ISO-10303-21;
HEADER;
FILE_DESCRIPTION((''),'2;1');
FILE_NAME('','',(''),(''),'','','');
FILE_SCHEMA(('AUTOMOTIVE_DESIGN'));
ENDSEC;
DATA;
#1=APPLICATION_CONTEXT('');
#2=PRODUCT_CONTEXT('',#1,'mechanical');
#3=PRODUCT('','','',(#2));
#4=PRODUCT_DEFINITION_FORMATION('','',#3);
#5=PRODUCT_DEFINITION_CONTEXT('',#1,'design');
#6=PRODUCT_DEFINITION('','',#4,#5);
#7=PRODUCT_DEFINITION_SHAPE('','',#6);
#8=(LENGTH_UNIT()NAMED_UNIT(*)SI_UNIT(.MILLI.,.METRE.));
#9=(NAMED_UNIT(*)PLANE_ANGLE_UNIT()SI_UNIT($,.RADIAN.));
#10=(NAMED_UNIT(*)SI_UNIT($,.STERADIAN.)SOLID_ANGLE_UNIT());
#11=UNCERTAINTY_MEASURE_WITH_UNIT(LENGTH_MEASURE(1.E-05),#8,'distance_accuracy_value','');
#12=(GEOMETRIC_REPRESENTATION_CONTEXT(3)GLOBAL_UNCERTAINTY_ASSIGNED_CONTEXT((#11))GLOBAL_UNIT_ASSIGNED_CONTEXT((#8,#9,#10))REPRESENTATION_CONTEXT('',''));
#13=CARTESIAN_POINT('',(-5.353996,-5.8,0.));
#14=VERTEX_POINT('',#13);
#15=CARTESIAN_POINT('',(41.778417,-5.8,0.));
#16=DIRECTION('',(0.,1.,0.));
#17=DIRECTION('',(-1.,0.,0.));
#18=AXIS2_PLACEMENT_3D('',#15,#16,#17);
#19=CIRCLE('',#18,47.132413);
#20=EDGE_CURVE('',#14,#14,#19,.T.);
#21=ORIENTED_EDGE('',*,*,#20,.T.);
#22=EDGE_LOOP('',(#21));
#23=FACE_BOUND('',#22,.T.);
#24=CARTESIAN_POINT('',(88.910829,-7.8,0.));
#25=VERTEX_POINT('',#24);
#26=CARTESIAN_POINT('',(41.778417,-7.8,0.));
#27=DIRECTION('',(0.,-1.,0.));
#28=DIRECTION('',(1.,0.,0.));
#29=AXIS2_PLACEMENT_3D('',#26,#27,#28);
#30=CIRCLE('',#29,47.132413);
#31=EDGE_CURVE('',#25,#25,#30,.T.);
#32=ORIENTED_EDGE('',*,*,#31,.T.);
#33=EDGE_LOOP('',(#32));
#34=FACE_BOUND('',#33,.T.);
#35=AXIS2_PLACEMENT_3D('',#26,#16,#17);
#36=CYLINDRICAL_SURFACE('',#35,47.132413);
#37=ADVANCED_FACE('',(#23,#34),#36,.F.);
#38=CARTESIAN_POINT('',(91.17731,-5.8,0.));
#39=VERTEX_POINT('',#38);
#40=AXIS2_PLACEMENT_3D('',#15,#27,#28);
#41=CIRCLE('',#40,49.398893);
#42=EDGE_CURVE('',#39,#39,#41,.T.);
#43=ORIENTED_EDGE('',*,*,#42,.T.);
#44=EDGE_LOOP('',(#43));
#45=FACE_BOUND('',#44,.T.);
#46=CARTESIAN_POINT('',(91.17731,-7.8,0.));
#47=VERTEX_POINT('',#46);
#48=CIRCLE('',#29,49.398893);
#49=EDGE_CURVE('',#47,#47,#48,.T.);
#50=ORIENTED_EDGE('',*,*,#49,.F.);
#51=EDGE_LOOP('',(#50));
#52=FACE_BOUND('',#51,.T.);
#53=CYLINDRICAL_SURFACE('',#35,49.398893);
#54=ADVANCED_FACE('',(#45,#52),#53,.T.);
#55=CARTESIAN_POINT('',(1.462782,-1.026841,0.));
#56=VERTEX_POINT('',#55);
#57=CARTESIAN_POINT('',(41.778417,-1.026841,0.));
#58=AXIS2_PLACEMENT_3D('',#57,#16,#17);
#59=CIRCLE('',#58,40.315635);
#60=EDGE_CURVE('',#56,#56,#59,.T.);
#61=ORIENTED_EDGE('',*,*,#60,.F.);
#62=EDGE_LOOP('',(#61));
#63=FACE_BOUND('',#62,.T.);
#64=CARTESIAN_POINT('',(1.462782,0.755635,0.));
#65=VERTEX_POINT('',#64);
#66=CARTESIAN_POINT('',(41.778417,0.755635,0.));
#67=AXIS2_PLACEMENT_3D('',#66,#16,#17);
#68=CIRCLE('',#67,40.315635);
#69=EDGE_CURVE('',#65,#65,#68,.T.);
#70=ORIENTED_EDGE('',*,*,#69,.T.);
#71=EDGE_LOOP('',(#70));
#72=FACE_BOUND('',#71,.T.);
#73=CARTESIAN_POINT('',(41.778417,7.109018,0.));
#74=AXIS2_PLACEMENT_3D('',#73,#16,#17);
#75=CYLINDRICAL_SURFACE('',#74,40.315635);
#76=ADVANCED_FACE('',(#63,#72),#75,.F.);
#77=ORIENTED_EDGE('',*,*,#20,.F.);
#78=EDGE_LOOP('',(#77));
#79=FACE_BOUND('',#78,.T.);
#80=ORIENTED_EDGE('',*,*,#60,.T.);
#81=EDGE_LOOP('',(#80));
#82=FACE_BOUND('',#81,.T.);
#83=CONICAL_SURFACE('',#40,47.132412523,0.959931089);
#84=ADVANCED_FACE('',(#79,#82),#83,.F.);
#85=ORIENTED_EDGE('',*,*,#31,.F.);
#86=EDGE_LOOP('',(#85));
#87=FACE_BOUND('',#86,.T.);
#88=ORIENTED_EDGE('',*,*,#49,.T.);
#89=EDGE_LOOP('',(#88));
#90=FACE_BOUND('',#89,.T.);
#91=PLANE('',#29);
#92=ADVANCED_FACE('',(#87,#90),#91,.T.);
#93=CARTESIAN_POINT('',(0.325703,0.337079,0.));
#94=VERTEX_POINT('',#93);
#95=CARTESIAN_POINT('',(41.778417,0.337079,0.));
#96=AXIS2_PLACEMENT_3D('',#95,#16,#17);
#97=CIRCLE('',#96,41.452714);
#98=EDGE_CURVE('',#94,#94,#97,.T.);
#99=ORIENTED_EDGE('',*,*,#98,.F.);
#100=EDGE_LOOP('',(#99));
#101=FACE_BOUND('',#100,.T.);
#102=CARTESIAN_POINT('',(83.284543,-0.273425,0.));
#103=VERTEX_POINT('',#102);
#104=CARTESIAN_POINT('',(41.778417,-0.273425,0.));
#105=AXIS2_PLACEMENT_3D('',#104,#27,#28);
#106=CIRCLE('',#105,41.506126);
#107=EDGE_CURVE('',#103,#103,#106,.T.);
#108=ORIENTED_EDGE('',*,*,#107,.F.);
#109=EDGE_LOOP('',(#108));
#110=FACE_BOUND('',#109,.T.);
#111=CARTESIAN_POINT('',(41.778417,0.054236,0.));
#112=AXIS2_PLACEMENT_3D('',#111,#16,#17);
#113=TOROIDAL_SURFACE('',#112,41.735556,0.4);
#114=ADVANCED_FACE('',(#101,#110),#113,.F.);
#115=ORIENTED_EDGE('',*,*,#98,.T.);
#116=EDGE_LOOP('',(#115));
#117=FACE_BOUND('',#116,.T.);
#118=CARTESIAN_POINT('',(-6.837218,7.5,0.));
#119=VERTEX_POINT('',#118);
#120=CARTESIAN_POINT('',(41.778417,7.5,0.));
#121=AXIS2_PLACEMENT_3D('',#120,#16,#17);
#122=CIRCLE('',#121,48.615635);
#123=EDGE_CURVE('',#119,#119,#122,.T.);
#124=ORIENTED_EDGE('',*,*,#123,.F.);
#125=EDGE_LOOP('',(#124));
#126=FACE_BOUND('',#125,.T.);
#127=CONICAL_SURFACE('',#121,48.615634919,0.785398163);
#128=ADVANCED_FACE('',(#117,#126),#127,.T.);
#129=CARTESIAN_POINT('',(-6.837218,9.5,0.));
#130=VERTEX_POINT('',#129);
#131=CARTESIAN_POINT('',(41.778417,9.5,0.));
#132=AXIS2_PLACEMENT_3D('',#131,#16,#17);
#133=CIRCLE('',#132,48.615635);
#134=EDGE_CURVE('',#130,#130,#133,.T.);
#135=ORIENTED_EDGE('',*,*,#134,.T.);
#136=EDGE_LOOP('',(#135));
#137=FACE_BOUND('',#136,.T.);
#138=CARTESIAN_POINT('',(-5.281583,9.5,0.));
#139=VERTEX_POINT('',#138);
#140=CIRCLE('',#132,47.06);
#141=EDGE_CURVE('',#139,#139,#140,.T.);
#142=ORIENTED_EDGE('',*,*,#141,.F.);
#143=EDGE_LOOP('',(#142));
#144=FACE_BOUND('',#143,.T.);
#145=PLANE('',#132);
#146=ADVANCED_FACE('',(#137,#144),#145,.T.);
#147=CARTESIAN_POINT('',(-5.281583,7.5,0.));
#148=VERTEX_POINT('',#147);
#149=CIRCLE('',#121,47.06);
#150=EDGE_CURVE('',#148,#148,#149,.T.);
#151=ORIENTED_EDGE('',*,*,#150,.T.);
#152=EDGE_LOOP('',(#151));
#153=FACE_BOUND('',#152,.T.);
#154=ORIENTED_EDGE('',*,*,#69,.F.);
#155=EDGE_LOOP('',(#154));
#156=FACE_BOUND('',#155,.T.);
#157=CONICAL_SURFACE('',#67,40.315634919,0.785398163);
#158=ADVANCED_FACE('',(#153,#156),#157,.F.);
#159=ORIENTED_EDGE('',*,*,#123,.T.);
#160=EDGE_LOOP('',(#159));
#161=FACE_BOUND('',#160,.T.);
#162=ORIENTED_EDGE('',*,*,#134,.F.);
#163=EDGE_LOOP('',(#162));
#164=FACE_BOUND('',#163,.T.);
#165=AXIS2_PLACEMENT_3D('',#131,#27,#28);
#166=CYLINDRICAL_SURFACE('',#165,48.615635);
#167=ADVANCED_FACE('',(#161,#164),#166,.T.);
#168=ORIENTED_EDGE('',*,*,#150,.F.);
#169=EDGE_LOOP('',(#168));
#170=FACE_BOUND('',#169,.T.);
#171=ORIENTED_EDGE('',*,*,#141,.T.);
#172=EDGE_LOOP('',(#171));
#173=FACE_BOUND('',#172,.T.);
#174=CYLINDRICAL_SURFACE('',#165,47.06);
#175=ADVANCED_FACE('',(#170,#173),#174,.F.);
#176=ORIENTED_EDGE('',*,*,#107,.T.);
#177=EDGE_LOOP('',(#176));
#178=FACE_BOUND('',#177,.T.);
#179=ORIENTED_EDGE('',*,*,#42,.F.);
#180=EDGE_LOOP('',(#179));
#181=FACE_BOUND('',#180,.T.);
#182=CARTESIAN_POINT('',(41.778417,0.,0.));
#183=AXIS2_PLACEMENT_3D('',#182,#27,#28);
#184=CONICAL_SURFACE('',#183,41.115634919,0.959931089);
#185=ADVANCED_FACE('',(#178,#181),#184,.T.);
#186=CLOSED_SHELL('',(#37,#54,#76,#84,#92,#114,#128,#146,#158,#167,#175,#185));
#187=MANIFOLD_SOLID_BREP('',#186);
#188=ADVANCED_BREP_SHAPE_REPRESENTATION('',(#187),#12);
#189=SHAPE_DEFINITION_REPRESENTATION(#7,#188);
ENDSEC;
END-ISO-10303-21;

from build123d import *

# Parameters (mm, degrees)
FILLET2_R           = 0.4
SKETCH2_R           = 48.615634919
SKETCH2_R_2         = 47.06
BOSS_EXTRUDE1_DEPTH = 2
SKETCH3_R           = 49.398893358
SKETCH3_R_2         = 47.132412523
BOSS_EXTRUDE2_DEPTH = 2


with BuildPart() as part:
    # Sketch1 → Revolve1 (revolve)
    with BuildSketch(Plane.XY):
        Polygon((0.662781953, 0), (-6.837218047, 7.5), (-5.281583129, 7.5), (1.462781953, 0.755634919), (1.462781953, -1.026840935), (-5.353995652, -5.8), (-7.620476486, -5.8), align=None)
    revolve(axis=Axis((41.778416871, 7.109018033, 0), (0, -1, 0)))

    # Fillet2
    fillet2_edges = [part.edges().sort_by_distance(p)[0] for p in [
        (82.89405179, 0, 0),
    ]]
    fillet(fillet2_edges, radius=FILLET2_R)

    # Sketch2 → Boss-Extrude1 (add)
    with BuildSketch(Plane(origin=(0, 7.5, 0), x_dir=(1, 0, 0), z_dir=(0, 1, 0))):
        with Locations(Location((41.778416871, 0, 0), (0, 0, 180))):
            Circle(SKETCH2_R)
        with Locations(Location((41.778416871, 0, 0), (0, 0, 180))):
            Circle(SKETCH2_R_2, mode=Mode.SUBTRACT)
    extrude(amount=BOSS_EXTRUDE1_DEPTH)

    # Sketch3 → Boss-Extrude2 (add)
    with BuildSketch(Plane.XZ.offset(5.8)):
        with Locations((41.778416871, 0)):
            Circle(SKETCH3_R)
        with Locations(Location((41.778416871, 0, 0), (0, 0, 180))):
            Circle(SKETCH3_R_2, mode=Mode.SUBTRACT)
    extrude(amount=BOSS_EXTRUDE2_DEPTH)


solid = part.part
